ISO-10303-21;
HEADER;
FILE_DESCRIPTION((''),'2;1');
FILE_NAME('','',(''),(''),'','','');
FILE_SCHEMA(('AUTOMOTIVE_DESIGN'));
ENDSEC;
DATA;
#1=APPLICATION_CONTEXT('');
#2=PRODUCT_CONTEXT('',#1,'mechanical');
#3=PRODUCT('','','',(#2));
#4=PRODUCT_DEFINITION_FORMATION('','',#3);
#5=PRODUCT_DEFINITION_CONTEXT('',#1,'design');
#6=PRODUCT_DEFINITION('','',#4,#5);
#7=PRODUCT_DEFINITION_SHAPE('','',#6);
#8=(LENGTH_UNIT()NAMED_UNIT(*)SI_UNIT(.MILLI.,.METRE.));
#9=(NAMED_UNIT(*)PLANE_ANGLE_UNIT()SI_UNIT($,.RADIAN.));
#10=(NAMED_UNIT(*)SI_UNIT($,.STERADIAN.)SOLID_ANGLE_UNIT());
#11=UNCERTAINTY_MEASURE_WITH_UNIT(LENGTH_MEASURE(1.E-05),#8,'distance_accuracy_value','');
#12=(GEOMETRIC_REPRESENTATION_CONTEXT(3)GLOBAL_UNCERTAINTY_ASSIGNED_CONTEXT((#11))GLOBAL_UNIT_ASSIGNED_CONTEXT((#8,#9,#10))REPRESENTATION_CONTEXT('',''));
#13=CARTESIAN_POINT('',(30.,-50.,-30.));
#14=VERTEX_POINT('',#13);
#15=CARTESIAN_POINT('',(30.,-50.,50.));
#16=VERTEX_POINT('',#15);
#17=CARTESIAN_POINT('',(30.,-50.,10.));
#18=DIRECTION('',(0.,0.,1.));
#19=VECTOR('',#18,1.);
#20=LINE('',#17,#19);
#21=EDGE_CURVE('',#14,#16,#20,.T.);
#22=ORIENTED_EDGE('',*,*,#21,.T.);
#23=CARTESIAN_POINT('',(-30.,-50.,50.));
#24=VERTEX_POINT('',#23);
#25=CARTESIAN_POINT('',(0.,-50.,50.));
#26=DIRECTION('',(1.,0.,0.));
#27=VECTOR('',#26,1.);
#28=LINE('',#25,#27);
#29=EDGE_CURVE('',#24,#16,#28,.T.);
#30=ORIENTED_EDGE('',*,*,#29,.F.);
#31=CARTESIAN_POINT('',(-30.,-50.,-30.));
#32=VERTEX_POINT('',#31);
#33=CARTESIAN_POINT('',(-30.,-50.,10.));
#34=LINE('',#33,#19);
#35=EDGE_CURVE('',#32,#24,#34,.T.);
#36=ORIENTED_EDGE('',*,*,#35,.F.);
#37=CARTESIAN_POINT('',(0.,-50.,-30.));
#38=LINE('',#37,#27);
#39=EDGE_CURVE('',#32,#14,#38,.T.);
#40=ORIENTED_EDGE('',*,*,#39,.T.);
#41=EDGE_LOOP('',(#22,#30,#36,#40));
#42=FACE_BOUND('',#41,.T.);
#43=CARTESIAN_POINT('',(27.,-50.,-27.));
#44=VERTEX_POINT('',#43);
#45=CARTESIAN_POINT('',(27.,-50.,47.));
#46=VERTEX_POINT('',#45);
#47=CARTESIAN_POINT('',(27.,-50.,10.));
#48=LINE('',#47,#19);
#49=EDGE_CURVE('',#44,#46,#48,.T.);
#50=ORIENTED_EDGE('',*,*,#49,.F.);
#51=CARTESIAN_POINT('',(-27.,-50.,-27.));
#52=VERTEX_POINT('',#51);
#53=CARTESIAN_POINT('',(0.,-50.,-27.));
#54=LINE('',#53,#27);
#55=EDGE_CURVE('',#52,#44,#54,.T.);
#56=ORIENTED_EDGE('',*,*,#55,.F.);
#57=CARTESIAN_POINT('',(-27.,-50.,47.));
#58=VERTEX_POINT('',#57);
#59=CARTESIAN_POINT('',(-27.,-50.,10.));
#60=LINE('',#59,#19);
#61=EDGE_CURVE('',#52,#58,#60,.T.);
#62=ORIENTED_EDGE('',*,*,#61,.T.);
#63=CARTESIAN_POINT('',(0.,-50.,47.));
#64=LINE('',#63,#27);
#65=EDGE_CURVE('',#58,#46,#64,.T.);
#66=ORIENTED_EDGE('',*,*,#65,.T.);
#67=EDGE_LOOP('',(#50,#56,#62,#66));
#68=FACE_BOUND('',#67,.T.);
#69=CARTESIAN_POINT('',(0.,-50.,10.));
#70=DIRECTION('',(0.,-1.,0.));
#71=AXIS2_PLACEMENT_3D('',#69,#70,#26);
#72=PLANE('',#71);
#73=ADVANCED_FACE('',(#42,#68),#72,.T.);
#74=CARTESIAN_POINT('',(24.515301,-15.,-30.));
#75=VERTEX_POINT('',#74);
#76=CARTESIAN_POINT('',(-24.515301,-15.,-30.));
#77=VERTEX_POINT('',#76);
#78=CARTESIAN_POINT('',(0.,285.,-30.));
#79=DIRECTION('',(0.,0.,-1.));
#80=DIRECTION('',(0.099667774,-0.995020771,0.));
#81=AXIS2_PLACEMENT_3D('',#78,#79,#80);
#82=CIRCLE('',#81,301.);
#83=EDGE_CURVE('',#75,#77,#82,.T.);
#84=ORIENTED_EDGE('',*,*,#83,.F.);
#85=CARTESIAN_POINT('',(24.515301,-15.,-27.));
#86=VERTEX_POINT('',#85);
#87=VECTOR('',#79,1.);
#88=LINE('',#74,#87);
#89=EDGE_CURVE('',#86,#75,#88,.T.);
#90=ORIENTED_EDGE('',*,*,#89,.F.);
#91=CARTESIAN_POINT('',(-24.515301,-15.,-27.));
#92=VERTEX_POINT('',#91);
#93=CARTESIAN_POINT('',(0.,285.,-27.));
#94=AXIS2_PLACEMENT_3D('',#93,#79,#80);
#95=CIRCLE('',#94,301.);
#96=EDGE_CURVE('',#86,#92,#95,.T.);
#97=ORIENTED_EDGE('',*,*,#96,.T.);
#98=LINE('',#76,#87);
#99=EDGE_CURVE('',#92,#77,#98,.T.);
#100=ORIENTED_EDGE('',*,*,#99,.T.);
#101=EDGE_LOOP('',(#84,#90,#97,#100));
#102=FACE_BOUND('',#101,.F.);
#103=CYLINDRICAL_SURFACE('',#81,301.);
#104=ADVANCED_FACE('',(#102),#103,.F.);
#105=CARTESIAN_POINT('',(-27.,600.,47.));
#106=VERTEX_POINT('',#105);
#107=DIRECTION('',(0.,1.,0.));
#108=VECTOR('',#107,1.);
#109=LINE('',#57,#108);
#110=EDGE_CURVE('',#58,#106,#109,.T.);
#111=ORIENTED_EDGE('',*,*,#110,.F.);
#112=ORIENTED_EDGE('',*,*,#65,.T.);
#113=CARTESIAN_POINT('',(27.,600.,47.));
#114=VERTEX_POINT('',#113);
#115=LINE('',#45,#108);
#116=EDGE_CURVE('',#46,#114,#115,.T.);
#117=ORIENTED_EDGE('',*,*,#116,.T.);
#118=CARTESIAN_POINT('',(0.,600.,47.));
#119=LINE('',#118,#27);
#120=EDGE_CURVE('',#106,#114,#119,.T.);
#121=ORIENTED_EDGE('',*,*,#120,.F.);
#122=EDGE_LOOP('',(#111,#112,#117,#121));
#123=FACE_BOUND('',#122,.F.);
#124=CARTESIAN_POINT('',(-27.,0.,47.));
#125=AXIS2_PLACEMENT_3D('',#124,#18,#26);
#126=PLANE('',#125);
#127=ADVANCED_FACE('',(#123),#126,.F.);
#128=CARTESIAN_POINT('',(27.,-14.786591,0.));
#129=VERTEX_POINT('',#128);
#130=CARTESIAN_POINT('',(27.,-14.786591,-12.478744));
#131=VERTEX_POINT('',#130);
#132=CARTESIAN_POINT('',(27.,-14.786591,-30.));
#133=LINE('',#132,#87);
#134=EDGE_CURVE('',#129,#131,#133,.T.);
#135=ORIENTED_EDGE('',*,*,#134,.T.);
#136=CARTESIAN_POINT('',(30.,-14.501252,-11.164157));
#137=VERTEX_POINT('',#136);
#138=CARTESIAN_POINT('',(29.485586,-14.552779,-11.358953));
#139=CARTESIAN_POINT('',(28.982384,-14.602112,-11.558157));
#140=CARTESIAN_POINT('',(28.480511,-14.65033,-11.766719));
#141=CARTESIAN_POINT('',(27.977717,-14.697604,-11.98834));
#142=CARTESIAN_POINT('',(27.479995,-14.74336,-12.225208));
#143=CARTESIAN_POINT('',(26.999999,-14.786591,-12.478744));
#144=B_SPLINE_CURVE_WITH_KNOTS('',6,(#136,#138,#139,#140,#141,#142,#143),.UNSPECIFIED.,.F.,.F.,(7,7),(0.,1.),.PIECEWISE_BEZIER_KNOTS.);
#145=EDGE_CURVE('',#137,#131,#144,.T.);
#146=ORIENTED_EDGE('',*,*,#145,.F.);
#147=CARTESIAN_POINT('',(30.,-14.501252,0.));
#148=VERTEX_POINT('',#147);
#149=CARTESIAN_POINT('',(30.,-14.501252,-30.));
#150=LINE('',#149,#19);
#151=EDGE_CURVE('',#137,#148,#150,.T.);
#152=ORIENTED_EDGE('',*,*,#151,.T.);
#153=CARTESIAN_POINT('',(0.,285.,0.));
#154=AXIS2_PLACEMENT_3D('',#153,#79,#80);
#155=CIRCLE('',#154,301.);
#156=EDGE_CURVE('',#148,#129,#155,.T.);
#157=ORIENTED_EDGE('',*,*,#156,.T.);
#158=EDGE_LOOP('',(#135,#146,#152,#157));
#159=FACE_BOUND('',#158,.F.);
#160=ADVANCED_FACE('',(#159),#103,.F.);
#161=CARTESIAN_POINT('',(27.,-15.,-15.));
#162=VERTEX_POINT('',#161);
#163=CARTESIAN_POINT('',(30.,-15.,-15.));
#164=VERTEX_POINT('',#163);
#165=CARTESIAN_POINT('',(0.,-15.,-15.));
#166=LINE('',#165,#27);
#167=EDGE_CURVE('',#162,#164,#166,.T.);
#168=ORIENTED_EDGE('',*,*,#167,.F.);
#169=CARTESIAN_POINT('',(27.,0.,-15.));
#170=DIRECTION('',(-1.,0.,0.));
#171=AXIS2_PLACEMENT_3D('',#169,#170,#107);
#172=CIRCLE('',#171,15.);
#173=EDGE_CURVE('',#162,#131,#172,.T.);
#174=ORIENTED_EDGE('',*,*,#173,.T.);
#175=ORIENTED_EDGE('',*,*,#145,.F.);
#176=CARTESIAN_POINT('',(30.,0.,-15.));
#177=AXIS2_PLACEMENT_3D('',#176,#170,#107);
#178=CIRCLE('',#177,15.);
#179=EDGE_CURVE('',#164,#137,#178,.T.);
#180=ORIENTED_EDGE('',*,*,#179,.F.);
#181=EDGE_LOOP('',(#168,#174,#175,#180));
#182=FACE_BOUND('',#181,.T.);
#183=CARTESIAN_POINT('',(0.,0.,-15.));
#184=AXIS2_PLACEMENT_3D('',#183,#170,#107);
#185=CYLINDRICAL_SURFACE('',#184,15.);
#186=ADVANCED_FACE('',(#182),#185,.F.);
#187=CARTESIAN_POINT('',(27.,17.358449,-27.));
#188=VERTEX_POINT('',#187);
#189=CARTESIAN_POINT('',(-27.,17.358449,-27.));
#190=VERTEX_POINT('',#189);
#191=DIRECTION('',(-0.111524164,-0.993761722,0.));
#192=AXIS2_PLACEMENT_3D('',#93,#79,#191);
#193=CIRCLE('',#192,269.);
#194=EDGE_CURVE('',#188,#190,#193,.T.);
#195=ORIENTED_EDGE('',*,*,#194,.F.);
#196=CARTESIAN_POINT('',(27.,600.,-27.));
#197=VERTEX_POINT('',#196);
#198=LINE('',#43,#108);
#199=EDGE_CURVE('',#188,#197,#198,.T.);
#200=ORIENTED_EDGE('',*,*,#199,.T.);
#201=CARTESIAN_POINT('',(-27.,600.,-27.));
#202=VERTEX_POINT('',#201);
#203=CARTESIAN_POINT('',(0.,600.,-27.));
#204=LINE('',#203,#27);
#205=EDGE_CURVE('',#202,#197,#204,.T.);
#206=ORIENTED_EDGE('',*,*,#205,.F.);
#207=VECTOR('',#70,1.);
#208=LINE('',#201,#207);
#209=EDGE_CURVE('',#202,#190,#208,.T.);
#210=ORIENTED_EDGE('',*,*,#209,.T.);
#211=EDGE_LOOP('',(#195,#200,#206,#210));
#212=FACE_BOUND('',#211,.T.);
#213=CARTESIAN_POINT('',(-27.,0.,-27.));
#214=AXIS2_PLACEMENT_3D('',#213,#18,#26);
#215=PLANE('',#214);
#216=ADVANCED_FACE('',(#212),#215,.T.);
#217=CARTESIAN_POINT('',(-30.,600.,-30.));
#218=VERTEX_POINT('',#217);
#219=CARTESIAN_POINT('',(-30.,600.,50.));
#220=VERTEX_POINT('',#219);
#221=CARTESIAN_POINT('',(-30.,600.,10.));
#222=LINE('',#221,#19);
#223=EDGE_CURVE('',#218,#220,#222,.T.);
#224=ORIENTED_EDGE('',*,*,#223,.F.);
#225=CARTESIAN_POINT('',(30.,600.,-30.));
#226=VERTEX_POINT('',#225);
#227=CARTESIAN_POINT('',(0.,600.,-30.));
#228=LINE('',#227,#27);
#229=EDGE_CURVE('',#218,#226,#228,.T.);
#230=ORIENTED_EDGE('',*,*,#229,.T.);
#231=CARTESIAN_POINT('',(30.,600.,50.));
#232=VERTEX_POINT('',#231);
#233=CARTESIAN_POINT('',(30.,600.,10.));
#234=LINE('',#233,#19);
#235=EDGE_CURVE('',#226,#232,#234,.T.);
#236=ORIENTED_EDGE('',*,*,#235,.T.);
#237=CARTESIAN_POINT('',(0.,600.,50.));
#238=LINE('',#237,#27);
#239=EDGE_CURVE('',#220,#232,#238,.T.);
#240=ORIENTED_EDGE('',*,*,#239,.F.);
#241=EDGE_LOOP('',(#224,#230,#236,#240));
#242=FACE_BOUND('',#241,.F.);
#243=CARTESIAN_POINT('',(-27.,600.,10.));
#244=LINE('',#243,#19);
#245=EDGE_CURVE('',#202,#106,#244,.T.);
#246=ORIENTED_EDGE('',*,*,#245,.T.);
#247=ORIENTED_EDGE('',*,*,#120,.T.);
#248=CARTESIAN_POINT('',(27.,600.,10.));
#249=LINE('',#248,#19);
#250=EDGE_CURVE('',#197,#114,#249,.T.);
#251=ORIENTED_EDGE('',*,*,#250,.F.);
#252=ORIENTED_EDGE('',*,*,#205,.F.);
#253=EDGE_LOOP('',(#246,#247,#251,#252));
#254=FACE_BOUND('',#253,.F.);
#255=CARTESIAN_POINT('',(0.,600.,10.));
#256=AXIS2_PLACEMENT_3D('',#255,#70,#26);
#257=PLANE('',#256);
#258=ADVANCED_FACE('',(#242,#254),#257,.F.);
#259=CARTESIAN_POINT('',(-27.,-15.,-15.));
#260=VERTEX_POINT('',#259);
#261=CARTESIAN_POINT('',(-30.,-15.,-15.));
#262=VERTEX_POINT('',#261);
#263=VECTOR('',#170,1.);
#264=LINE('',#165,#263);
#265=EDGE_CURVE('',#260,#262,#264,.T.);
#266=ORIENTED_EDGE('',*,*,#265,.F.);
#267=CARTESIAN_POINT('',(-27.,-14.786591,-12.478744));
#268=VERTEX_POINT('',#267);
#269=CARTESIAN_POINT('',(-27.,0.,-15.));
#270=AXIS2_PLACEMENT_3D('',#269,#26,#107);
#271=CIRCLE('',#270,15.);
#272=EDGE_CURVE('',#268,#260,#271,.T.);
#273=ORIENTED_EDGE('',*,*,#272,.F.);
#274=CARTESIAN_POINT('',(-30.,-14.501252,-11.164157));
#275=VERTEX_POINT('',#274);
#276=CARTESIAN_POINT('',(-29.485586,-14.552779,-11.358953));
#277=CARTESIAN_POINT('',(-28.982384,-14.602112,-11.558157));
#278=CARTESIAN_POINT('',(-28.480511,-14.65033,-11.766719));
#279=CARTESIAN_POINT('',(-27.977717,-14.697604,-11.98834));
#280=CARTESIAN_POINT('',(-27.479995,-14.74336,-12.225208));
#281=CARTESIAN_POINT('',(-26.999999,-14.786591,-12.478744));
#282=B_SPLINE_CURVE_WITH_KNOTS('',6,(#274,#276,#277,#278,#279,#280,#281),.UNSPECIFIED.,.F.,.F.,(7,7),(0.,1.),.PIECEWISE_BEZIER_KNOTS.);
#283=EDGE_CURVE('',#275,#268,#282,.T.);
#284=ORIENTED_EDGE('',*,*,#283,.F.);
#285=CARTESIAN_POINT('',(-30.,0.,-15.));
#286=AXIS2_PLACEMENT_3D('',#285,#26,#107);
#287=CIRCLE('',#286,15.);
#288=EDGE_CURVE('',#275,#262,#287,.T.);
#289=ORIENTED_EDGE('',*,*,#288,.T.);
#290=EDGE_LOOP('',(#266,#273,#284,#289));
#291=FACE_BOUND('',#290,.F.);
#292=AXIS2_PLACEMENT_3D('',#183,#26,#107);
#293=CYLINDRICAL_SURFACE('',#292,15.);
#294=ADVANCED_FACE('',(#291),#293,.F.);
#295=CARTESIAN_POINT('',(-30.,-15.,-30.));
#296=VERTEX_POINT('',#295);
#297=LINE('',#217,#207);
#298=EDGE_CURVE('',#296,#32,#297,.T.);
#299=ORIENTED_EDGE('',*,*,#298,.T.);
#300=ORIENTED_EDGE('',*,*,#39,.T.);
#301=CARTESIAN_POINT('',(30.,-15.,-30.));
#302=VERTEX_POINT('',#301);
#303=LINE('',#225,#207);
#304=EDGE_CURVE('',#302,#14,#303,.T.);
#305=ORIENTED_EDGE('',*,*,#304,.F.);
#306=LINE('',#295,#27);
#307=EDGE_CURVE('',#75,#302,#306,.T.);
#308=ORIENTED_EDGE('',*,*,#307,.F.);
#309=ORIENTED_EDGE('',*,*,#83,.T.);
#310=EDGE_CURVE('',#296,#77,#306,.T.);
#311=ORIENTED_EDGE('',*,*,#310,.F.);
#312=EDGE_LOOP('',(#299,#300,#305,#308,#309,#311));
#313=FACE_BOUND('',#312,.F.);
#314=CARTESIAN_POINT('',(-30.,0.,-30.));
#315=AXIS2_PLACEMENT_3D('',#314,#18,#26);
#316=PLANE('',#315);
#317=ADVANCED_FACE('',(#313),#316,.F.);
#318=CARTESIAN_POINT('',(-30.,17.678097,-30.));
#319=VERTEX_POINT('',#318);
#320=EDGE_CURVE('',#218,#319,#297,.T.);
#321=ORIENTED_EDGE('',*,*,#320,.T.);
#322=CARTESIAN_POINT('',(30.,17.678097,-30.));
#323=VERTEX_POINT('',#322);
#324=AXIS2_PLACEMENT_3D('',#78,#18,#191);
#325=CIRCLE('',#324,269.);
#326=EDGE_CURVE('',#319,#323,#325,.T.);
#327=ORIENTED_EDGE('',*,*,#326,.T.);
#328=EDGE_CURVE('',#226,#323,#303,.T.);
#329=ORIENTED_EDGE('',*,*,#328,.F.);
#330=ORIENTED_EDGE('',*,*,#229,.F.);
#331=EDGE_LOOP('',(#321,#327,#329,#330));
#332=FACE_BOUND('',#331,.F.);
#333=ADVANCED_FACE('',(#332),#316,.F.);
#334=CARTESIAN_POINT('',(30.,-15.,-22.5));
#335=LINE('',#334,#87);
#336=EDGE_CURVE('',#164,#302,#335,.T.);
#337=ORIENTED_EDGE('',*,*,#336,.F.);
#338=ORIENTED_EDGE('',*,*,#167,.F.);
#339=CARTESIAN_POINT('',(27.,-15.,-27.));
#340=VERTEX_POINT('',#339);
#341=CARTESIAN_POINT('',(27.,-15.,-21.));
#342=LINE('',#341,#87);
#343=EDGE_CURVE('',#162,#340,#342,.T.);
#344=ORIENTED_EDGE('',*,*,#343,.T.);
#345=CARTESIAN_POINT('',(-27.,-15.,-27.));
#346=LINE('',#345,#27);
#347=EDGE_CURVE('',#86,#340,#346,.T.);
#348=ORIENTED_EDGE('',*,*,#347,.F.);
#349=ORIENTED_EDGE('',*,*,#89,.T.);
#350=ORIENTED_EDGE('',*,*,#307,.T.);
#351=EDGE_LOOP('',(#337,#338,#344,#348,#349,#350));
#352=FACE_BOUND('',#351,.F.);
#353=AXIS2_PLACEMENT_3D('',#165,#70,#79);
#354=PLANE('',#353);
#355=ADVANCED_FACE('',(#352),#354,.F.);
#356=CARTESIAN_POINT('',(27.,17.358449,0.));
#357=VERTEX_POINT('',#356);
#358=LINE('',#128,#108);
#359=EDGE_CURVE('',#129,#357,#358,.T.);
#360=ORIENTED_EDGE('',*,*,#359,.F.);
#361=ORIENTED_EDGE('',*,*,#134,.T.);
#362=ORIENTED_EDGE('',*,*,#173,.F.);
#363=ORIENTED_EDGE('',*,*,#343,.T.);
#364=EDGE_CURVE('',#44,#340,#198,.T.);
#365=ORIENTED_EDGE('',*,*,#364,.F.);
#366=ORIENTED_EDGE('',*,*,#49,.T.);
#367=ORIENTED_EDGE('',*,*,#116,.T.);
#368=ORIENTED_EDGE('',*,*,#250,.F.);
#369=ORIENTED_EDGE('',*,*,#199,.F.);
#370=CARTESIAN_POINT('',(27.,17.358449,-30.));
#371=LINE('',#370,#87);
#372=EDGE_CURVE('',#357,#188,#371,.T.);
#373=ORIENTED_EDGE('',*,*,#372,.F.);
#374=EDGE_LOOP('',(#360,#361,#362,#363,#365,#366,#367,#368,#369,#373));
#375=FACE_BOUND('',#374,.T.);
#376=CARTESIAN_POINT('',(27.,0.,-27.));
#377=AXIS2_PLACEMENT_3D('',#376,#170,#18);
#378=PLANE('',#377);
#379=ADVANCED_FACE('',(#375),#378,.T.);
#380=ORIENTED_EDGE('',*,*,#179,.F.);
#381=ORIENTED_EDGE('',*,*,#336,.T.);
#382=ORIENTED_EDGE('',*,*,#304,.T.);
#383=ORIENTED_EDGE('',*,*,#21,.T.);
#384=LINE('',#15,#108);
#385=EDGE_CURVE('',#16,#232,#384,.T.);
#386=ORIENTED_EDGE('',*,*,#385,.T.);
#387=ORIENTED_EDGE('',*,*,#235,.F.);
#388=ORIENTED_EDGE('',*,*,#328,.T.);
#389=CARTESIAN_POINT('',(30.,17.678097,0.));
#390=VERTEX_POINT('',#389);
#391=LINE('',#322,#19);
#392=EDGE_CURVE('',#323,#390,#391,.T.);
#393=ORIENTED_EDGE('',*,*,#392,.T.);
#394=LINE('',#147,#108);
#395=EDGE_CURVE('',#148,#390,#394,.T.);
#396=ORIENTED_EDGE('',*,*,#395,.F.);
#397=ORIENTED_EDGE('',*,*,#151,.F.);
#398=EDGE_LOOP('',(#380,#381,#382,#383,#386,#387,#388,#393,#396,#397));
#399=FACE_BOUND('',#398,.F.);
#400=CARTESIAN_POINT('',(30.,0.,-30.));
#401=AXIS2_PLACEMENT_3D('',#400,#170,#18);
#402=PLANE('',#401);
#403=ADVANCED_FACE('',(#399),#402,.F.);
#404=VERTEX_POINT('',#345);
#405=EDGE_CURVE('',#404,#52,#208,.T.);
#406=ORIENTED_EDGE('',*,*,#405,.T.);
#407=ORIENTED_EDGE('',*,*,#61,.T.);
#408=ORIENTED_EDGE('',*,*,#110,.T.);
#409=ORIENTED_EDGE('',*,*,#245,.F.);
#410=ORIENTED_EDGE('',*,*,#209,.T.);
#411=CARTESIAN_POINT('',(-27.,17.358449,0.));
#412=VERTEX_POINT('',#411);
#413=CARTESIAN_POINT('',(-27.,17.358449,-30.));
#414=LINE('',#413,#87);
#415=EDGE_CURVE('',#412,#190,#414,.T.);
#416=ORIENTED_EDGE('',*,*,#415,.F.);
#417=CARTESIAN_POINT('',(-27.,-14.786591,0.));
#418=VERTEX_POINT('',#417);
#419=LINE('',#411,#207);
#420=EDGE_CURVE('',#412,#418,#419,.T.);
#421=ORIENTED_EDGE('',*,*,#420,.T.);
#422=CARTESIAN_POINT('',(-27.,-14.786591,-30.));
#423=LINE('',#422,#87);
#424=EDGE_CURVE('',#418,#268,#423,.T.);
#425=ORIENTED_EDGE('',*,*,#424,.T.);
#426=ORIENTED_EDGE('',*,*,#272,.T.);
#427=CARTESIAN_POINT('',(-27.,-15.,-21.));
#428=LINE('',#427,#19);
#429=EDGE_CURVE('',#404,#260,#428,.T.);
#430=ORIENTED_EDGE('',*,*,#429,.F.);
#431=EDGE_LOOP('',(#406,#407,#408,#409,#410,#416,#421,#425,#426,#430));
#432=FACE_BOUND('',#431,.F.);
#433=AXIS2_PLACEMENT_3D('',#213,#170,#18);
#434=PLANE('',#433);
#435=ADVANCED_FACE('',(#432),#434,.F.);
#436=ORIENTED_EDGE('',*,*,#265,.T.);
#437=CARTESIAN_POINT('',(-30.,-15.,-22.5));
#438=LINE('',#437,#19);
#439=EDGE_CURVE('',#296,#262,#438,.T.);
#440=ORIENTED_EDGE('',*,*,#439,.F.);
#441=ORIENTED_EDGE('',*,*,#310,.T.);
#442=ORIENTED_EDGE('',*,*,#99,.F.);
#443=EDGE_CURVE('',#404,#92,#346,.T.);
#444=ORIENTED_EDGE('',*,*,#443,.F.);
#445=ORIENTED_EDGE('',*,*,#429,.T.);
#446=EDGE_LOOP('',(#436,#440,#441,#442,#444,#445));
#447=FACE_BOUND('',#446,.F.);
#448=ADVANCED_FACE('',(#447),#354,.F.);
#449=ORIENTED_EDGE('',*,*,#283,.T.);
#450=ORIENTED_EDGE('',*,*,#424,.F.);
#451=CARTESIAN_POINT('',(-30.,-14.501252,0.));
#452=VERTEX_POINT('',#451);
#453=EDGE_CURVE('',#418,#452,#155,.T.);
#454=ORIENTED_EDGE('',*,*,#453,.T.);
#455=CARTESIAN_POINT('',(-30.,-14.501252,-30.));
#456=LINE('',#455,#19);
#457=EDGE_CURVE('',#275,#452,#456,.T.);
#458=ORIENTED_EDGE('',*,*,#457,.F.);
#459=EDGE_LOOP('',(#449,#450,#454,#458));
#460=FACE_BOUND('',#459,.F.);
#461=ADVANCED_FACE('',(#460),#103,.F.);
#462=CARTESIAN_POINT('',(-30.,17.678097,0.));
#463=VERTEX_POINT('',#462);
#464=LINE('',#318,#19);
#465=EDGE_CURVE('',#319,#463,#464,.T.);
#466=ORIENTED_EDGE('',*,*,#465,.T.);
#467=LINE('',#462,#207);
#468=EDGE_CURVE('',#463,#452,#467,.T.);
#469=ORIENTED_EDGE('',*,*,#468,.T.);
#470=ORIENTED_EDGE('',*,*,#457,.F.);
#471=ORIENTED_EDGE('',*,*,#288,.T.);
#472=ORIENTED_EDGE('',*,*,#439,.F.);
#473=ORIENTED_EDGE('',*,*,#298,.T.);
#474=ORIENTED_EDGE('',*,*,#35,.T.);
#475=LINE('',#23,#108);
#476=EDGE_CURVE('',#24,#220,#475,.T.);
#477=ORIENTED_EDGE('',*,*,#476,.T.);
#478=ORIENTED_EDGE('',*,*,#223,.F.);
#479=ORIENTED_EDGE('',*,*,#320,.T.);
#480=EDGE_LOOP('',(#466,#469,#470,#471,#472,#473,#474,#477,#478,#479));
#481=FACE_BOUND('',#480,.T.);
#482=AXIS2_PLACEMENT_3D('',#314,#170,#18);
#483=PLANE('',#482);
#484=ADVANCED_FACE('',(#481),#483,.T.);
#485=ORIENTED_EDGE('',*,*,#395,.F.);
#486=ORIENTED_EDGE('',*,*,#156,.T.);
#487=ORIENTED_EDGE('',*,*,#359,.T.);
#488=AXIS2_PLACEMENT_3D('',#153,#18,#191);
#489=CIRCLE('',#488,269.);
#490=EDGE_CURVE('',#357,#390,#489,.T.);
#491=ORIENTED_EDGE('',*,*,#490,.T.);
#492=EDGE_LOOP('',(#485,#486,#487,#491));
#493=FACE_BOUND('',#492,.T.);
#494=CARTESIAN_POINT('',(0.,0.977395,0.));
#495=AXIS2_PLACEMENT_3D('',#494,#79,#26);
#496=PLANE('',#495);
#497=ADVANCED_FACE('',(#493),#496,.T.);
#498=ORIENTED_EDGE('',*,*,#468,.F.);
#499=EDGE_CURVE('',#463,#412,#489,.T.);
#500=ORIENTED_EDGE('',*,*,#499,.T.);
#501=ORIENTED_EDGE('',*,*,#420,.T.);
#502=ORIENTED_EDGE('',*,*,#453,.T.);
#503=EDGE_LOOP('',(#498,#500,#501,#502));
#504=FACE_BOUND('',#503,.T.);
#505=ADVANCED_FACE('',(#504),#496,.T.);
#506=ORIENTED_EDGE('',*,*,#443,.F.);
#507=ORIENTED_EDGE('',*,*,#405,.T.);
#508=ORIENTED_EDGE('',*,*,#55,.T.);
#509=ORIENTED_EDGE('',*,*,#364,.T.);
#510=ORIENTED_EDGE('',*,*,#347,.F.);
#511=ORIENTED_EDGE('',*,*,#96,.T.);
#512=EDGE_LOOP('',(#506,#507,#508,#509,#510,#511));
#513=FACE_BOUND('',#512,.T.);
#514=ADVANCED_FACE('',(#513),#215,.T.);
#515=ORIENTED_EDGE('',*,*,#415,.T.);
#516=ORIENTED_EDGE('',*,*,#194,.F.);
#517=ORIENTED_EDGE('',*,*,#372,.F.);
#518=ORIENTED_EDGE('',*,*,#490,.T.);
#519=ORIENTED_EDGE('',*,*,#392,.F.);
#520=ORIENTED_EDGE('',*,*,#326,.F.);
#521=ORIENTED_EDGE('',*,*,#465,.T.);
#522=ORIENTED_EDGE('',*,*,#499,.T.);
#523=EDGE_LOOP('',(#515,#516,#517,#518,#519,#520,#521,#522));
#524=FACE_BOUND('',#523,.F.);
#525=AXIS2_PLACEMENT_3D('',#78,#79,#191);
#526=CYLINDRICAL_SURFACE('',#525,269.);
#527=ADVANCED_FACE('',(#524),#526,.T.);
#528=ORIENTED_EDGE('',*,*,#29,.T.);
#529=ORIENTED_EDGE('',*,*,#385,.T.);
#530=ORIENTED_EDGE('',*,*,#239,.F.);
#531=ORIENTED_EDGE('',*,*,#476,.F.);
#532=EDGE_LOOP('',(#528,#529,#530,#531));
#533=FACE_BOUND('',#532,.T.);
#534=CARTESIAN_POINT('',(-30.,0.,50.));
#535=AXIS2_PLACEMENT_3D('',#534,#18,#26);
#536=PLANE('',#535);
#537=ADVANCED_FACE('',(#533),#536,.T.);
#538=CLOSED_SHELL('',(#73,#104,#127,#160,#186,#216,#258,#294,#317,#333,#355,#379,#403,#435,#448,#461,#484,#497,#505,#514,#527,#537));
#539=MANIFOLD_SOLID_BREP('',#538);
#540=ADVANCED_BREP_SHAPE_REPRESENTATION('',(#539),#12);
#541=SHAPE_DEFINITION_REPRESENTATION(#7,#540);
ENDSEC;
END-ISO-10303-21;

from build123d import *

# Parameters (mm, degrees)
F0_W          = 60
F0_H          = 80
F0_W_2        = 54
F0_H_2        = 74
F1_DEPTH      = 600
F1_DEPTH_BACK = 50
F3_DEPTH      = 30.001
F3_DEPTH_BACK = 30.001
F5_DEPTH      = 30


with BuildPart() as f1:
    # F0 (on Front) → F1 (new body, two sides)
    with BuildSketch(Plane.XZ) as f1_sk:
        with Locations((0, 10)):
            Rectangle(F0_W, F0_H)
        with Locations((0, 10)):
            Rectangle(F0_W_2, F0_H_2, mode=Mode.SUBTRACT)
    extrude(amount=-F1_DEPTH)
    extrude(f1_sk.sketch, amount=F1_DEPTH_BACK)

    # F2 (on Right) → F3 (cut, two sides)
    with BuildSketch(Plane.YZ) as f3_sk:
        with BuildLine():
            Line((15, -30), (15, -15))
            ThreePointArc((15, -15), (0, 0), (-15, -15))
            Line((-15, -15), (-15, -30))
            Line((-15, -30), (15, -30))
        make_face()
    extrude(amount=-F3_DEPTH, mode=Mode.SUBTRACT)
    extrude(f3_sk.sketch, amount=F3_DEPTH_BACK, mode=Mode.SUBTRACT)

    # F4 (on face) → F5 (cut)
    with BuildSketch(Plane(origin=(0, 0, -30), x_dir=(1, 0, 0), z_dir=(0, 0, -1))):
        with BuildLine():
            Line((30, -17.67809667), (30, 14.5012520842))
            ThreePointArc((30, 14.5012520842), (0, 16), (-30, 14.5012520842))
            Line((-30, 14.5012520842), (-30, -17.67809667))
            ThreePointArc((-30, -17.67809667), (0, -16), (30, -17.67809667))
        make_face()
    extrude(amount=-F5_DEPTH, mode=Mode.SUBTRACT)


solid = f1.part
